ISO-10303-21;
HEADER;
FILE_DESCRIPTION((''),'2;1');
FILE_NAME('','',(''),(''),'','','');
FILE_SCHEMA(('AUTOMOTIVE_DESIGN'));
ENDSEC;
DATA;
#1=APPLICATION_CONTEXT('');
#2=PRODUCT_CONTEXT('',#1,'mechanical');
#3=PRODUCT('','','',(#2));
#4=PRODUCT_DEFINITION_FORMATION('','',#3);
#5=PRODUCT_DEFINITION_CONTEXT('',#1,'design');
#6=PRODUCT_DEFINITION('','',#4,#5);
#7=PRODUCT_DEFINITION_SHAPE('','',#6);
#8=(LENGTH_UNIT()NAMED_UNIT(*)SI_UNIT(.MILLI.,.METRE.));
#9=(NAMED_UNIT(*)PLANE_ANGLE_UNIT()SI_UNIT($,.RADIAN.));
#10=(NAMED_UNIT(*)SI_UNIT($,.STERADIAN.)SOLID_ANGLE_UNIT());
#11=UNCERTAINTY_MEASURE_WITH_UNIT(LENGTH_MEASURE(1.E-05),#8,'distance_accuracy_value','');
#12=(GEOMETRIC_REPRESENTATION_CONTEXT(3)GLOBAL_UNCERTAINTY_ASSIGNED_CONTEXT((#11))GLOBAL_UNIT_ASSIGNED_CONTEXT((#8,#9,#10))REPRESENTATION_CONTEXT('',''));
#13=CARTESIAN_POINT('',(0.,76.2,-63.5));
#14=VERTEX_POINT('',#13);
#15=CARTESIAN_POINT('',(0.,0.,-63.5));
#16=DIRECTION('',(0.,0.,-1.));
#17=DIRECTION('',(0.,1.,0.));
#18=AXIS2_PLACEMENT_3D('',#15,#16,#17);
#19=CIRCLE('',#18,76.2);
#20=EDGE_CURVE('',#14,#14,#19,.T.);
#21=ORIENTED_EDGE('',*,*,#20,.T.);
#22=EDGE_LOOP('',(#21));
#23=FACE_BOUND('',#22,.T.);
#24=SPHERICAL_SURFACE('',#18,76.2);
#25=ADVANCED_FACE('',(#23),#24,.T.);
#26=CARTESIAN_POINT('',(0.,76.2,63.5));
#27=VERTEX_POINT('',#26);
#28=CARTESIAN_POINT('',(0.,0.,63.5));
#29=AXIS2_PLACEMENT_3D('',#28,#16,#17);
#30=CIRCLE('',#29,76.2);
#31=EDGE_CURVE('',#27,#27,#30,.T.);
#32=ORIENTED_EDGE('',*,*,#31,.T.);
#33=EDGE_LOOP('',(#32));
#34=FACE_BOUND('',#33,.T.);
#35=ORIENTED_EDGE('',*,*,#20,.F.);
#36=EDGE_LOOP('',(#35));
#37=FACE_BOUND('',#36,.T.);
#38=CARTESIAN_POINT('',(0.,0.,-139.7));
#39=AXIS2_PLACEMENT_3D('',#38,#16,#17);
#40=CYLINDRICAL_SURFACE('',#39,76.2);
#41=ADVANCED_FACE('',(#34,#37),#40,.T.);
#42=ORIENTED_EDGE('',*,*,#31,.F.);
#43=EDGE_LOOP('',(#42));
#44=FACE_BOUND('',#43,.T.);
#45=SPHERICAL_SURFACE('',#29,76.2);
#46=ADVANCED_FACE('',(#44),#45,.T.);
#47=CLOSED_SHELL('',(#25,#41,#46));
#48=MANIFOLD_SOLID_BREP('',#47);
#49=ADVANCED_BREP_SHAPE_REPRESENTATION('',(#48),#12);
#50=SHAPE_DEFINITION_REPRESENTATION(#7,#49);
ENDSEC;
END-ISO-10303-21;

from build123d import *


with BuildPart() as part:
    # Tank Arc → Air Tank (revolve)
    with BuildSketch(Plane(origin=(0, 0, 0), x_dir=(0, 0, -1), z_dir=(1, 0, 0))):
        with BuildLine():
            Line((-63.5, 76.2), (63.5, 76.2))
            ThreePointArc((63.5, 76.2), (117.381536726, 53.881536726), (139.7, 0))
            Line((139.7, 0), (-139.7, 0))
            ThreePointArc((-139.7, 0), (-117.381536726, 53.881536726), (-63.5, 76.2))
        make_face()
    revolve(axis=Axis((0, 0, -139.7), (0, 0, 1)))


solid = part.part
